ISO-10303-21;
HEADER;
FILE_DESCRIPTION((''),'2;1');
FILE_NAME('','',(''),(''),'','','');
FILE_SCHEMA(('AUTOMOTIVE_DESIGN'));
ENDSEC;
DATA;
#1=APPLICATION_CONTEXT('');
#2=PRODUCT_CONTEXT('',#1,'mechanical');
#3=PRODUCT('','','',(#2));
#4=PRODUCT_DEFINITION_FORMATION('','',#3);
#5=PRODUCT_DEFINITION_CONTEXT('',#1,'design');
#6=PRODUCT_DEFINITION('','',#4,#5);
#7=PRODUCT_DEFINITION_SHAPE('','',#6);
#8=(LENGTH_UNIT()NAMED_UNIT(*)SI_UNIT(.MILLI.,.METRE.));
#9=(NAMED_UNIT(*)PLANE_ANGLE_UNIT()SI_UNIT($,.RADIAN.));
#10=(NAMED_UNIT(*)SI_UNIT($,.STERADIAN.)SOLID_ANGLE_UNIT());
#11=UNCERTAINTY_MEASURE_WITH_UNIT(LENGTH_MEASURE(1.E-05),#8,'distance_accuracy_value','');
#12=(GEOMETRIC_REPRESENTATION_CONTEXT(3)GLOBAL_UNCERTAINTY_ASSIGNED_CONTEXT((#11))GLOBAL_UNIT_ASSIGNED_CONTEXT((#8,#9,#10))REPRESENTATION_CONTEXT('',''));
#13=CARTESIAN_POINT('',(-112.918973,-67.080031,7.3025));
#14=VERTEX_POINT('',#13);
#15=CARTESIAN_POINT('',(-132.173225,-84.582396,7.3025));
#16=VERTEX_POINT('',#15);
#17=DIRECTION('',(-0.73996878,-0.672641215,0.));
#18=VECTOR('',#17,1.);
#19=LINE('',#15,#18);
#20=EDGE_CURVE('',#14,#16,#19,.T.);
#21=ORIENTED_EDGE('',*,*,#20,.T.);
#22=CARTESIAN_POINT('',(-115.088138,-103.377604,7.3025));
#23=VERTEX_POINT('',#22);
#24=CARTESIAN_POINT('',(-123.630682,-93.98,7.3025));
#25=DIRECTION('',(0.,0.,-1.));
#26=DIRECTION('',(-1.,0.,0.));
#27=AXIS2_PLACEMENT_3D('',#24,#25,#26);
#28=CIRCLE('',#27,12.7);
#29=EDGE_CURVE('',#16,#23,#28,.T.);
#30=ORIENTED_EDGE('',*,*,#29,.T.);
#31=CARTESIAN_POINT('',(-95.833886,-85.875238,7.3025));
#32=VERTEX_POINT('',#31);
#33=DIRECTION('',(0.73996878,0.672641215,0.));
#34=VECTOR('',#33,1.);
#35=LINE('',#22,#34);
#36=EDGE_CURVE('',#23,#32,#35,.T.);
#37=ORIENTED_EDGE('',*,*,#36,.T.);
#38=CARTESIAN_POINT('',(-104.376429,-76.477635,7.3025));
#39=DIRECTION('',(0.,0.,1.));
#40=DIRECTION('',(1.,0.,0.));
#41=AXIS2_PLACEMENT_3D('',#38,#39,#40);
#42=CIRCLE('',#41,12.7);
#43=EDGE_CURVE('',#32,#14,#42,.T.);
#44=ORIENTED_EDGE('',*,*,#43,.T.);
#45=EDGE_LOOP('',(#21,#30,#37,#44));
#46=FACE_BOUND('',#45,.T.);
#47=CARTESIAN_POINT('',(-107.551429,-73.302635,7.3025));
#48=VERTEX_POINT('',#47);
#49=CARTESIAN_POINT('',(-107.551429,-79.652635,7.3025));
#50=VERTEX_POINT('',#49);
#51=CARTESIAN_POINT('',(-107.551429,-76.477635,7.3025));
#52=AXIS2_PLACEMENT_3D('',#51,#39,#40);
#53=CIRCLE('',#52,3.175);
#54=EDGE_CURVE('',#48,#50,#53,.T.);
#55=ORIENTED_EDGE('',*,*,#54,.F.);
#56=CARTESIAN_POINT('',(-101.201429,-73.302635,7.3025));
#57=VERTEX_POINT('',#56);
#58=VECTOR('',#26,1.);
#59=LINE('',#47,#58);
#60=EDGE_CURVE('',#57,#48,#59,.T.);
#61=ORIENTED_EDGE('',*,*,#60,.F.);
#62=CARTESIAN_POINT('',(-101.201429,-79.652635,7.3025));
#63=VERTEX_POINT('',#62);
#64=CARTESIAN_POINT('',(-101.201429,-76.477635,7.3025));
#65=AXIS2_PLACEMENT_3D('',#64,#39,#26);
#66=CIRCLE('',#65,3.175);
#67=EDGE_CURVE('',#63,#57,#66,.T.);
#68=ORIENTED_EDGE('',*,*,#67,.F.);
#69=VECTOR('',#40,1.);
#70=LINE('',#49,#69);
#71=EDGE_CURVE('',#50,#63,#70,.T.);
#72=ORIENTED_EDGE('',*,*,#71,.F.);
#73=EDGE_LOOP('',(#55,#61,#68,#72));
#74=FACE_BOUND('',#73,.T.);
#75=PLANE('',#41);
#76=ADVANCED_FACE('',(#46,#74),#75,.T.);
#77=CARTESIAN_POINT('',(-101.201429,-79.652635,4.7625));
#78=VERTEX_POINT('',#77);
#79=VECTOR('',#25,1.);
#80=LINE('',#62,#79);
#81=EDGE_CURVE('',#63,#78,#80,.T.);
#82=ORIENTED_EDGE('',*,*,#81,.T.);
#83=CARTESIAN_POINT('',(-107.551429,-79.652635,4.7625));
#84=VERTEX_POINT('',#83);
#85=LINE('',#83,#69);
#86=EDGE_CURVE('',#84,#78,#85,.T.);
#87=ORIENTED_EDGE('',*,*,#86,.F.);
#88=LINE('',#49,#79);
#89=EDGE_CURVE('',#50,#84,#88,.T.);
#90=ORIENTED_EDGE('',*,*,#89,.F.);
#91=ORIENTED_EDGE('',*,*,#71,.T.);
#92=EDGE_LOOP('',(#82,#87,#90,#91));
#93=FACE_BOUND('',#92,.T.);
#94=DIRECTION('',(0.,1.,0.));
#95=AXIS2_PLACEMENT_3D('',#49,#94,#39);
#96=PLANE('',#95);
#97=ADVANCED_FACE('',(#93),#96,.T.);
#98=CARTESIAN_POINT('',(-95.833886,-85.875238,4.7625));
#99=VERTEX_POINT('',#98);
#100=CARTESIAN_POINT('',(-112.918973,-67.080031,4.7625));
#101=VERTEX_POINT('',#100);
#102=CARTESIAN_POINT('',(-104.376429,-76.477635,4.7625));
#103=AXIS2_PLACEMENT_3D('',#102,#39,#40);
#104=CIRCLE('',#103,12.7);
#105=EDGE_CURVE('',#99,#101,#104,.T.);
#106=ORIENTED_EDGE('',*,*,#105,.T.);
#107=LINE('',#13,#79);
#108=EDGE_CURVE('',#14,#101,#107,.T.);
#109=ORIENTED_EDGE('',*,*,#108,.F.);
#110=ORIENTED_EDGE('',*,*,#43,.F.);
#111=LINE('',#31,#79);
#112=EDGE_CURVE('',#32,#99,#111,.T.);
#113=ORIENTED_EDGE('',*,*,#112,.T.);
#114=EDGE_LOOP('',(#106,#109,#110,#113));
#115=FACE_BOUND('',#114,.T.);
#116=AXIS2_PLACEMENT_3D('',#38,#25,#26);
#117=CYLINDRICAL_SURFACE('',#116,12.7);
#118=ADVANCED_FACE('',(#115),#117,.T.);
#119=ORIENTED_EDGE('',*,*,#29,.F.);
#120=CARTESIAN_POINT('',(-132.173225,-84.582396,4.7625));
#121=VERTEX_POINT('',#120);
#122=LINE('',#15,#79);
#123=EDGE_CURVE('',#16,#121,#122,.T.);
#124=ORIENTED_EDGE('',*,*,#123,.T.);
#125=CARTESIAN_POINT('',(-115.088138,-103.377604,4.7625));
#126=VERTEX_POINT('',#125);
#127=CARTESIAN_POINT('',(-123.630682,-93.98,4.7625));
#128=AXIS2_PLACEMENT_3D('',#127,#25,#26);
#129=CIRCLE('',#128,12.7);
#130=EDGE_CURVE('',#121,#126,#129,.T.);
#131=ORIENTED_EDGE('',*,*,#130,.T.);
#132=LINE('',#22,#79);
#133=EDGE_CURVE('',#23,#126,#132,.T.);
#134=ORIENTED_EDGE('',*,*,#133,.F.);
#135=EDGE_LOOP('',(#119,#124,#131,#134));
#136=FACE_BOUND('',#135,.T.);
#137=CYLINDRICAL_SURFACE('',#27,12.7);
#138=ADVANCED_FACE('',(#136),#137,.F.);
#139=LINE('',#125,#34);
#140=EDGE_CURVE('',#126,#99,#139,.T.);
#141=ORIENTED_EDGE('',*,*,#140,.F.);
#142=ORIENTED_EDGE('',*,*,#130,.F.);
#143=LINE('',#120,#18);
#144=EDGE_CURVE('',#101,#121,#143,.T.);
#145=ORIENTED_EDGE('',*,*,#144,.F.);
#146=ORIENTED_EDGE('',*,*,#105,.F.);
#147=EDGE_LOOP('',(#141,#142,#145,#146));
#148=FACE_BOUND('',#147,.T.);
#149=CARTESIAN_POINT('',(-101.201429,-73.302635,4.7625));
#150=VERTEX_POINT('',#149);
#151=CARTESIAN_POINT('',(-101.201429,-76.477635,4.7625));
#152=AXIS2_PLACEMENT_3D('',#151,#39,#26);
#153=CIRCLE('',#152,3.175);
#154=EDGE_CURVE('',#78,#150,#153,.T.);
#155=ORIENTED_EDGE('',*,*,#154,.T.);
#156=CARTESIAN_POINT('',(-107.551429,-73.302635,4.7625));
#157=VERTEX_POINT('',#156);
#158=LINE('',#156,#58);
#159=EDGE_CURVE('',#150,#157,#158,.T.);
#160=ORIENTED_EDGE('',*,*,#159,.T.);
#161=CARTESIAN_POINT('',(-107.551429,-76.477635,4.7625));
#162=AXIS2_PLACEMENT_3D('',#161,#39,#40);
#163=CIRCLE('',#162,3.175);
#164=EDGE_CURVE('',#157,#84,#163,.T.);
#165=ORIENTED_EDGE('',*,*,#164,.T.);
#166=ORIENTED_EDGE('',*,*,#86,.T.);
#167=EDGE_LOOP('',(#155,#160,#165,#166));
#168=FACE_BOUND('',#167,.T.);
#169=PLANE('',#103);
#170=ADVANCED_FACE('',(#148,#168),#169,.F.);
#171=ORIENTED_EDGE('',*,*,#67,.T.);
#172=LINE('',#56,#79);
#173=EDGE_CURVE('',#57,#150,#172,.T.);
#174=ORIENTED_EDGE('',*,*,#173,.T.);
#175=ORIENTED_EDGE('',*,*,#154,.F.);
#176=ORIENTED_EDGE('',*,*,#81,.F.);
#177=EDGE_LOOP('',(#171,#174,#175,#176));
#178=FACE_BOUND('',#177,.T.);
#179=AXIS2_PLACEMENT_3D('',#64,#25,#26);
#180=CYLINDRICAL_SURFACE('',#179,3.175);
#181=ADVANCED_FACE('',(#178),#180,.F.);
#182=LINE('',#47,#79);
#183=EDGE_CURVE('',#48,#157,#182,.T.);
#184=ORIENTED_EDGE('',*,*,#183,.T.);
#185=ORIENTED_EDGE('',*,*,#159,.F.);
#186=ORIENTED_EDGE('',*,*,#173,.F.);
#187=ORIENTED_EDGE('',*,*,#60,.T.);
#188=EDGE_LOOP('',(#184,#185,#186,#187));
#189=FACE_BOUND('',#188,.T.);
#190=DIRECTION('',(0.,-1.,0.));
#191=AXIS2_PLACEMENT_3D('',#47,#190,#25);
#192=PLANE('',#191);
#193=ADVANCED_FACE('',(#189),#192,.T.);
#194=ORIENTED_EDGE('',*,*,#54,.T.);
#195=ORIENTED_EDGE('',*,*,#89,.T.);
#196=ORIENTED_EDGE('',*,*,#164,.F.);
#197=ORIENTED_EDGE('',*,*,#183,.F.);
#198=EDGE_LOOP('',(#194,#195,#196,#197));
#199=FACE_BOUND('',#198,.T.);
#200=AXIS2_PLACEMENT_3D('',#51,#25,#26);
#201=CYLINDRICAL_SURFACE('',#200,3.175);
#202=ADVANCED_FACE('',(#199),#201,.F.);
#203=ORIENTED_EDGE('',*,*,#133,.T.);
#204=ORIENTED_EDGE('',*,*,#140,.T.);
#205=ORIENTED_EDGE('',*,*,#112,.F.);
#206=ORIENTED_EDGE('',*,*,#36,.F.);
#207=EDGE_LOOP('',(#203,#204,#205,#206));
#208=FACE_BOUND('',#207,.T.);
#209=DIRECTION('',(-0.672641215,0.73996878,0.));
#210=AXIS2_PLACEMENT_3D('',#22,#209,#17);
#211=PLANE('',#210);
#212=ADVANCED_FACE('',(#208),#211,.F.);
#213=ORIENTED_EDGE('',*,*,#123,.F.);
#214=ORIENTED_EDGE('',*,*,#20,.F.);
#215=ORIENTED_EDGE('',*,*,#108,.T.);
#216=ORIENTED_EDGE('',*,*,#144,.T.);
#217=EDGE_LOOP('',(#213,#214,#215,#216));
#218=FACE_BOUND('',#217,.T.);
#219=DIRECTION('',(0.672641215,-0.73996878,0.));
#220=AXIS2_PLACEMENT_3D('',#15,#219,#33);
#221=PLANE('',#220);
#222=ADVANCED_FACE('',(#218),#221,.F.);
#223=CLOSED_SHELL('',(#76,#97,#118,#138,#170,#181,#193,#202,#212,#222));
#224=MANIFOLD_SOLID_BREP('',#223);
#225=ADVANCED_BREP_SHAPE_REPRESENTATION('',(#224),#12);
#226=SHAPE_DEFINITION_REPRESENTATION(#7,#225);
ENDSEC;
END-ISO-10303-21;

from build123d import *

# Parameters (mm, degrees)
BOSS_EXTRUDE3_START = 4.7625
BOSS_EXTRUDE3_DEPTH = 2.54


with BuildPart() as part:
    # Sketch2 → Boss-Extrude3 (new body)
    with BuildSketch(Plane.XY.offset(BOSS_EXTRUDE3_START)):
        with BuildLine():
            Line((-132.173225325, -84.582396488), (-112.918972687, -67.080031215))
            ThreePointArc((-112.918972687, -67.080031215), (-94.978825746, -67.935091298), (-95.833885829, -85.875238239))
            Line((-95.833885829, -85.875238239), (-115.088138468, -103.377603512))
            ThreePointArc((-115.088138468, -103.377603512), (-114.233078385, -85.437456571), (-132.173225325, -84.582396488))
        make_face()
        with BuildLine():
            Line((-107.551429258, -79.652634727), (-101.201429258, -79.652634727))
            ThreePointArc((-101.201429258, -79.652634727), (-98.026429258, -76.477634727), (-101.201429258, -73.302634727))
            Line((-101.201429258, -73.302634727), (-107.551429258, -73.302634727))
            ThreePointArc((-107.551429258, -73.302634727), (-110.726429258, -76.477634727), (-107.551429258, -79.652634727))
        make_face(mode=Mode.SUBTRACT)
    extrude(amount=BOSS_EXTRUDE3_DEPTH)


solid = part.part
